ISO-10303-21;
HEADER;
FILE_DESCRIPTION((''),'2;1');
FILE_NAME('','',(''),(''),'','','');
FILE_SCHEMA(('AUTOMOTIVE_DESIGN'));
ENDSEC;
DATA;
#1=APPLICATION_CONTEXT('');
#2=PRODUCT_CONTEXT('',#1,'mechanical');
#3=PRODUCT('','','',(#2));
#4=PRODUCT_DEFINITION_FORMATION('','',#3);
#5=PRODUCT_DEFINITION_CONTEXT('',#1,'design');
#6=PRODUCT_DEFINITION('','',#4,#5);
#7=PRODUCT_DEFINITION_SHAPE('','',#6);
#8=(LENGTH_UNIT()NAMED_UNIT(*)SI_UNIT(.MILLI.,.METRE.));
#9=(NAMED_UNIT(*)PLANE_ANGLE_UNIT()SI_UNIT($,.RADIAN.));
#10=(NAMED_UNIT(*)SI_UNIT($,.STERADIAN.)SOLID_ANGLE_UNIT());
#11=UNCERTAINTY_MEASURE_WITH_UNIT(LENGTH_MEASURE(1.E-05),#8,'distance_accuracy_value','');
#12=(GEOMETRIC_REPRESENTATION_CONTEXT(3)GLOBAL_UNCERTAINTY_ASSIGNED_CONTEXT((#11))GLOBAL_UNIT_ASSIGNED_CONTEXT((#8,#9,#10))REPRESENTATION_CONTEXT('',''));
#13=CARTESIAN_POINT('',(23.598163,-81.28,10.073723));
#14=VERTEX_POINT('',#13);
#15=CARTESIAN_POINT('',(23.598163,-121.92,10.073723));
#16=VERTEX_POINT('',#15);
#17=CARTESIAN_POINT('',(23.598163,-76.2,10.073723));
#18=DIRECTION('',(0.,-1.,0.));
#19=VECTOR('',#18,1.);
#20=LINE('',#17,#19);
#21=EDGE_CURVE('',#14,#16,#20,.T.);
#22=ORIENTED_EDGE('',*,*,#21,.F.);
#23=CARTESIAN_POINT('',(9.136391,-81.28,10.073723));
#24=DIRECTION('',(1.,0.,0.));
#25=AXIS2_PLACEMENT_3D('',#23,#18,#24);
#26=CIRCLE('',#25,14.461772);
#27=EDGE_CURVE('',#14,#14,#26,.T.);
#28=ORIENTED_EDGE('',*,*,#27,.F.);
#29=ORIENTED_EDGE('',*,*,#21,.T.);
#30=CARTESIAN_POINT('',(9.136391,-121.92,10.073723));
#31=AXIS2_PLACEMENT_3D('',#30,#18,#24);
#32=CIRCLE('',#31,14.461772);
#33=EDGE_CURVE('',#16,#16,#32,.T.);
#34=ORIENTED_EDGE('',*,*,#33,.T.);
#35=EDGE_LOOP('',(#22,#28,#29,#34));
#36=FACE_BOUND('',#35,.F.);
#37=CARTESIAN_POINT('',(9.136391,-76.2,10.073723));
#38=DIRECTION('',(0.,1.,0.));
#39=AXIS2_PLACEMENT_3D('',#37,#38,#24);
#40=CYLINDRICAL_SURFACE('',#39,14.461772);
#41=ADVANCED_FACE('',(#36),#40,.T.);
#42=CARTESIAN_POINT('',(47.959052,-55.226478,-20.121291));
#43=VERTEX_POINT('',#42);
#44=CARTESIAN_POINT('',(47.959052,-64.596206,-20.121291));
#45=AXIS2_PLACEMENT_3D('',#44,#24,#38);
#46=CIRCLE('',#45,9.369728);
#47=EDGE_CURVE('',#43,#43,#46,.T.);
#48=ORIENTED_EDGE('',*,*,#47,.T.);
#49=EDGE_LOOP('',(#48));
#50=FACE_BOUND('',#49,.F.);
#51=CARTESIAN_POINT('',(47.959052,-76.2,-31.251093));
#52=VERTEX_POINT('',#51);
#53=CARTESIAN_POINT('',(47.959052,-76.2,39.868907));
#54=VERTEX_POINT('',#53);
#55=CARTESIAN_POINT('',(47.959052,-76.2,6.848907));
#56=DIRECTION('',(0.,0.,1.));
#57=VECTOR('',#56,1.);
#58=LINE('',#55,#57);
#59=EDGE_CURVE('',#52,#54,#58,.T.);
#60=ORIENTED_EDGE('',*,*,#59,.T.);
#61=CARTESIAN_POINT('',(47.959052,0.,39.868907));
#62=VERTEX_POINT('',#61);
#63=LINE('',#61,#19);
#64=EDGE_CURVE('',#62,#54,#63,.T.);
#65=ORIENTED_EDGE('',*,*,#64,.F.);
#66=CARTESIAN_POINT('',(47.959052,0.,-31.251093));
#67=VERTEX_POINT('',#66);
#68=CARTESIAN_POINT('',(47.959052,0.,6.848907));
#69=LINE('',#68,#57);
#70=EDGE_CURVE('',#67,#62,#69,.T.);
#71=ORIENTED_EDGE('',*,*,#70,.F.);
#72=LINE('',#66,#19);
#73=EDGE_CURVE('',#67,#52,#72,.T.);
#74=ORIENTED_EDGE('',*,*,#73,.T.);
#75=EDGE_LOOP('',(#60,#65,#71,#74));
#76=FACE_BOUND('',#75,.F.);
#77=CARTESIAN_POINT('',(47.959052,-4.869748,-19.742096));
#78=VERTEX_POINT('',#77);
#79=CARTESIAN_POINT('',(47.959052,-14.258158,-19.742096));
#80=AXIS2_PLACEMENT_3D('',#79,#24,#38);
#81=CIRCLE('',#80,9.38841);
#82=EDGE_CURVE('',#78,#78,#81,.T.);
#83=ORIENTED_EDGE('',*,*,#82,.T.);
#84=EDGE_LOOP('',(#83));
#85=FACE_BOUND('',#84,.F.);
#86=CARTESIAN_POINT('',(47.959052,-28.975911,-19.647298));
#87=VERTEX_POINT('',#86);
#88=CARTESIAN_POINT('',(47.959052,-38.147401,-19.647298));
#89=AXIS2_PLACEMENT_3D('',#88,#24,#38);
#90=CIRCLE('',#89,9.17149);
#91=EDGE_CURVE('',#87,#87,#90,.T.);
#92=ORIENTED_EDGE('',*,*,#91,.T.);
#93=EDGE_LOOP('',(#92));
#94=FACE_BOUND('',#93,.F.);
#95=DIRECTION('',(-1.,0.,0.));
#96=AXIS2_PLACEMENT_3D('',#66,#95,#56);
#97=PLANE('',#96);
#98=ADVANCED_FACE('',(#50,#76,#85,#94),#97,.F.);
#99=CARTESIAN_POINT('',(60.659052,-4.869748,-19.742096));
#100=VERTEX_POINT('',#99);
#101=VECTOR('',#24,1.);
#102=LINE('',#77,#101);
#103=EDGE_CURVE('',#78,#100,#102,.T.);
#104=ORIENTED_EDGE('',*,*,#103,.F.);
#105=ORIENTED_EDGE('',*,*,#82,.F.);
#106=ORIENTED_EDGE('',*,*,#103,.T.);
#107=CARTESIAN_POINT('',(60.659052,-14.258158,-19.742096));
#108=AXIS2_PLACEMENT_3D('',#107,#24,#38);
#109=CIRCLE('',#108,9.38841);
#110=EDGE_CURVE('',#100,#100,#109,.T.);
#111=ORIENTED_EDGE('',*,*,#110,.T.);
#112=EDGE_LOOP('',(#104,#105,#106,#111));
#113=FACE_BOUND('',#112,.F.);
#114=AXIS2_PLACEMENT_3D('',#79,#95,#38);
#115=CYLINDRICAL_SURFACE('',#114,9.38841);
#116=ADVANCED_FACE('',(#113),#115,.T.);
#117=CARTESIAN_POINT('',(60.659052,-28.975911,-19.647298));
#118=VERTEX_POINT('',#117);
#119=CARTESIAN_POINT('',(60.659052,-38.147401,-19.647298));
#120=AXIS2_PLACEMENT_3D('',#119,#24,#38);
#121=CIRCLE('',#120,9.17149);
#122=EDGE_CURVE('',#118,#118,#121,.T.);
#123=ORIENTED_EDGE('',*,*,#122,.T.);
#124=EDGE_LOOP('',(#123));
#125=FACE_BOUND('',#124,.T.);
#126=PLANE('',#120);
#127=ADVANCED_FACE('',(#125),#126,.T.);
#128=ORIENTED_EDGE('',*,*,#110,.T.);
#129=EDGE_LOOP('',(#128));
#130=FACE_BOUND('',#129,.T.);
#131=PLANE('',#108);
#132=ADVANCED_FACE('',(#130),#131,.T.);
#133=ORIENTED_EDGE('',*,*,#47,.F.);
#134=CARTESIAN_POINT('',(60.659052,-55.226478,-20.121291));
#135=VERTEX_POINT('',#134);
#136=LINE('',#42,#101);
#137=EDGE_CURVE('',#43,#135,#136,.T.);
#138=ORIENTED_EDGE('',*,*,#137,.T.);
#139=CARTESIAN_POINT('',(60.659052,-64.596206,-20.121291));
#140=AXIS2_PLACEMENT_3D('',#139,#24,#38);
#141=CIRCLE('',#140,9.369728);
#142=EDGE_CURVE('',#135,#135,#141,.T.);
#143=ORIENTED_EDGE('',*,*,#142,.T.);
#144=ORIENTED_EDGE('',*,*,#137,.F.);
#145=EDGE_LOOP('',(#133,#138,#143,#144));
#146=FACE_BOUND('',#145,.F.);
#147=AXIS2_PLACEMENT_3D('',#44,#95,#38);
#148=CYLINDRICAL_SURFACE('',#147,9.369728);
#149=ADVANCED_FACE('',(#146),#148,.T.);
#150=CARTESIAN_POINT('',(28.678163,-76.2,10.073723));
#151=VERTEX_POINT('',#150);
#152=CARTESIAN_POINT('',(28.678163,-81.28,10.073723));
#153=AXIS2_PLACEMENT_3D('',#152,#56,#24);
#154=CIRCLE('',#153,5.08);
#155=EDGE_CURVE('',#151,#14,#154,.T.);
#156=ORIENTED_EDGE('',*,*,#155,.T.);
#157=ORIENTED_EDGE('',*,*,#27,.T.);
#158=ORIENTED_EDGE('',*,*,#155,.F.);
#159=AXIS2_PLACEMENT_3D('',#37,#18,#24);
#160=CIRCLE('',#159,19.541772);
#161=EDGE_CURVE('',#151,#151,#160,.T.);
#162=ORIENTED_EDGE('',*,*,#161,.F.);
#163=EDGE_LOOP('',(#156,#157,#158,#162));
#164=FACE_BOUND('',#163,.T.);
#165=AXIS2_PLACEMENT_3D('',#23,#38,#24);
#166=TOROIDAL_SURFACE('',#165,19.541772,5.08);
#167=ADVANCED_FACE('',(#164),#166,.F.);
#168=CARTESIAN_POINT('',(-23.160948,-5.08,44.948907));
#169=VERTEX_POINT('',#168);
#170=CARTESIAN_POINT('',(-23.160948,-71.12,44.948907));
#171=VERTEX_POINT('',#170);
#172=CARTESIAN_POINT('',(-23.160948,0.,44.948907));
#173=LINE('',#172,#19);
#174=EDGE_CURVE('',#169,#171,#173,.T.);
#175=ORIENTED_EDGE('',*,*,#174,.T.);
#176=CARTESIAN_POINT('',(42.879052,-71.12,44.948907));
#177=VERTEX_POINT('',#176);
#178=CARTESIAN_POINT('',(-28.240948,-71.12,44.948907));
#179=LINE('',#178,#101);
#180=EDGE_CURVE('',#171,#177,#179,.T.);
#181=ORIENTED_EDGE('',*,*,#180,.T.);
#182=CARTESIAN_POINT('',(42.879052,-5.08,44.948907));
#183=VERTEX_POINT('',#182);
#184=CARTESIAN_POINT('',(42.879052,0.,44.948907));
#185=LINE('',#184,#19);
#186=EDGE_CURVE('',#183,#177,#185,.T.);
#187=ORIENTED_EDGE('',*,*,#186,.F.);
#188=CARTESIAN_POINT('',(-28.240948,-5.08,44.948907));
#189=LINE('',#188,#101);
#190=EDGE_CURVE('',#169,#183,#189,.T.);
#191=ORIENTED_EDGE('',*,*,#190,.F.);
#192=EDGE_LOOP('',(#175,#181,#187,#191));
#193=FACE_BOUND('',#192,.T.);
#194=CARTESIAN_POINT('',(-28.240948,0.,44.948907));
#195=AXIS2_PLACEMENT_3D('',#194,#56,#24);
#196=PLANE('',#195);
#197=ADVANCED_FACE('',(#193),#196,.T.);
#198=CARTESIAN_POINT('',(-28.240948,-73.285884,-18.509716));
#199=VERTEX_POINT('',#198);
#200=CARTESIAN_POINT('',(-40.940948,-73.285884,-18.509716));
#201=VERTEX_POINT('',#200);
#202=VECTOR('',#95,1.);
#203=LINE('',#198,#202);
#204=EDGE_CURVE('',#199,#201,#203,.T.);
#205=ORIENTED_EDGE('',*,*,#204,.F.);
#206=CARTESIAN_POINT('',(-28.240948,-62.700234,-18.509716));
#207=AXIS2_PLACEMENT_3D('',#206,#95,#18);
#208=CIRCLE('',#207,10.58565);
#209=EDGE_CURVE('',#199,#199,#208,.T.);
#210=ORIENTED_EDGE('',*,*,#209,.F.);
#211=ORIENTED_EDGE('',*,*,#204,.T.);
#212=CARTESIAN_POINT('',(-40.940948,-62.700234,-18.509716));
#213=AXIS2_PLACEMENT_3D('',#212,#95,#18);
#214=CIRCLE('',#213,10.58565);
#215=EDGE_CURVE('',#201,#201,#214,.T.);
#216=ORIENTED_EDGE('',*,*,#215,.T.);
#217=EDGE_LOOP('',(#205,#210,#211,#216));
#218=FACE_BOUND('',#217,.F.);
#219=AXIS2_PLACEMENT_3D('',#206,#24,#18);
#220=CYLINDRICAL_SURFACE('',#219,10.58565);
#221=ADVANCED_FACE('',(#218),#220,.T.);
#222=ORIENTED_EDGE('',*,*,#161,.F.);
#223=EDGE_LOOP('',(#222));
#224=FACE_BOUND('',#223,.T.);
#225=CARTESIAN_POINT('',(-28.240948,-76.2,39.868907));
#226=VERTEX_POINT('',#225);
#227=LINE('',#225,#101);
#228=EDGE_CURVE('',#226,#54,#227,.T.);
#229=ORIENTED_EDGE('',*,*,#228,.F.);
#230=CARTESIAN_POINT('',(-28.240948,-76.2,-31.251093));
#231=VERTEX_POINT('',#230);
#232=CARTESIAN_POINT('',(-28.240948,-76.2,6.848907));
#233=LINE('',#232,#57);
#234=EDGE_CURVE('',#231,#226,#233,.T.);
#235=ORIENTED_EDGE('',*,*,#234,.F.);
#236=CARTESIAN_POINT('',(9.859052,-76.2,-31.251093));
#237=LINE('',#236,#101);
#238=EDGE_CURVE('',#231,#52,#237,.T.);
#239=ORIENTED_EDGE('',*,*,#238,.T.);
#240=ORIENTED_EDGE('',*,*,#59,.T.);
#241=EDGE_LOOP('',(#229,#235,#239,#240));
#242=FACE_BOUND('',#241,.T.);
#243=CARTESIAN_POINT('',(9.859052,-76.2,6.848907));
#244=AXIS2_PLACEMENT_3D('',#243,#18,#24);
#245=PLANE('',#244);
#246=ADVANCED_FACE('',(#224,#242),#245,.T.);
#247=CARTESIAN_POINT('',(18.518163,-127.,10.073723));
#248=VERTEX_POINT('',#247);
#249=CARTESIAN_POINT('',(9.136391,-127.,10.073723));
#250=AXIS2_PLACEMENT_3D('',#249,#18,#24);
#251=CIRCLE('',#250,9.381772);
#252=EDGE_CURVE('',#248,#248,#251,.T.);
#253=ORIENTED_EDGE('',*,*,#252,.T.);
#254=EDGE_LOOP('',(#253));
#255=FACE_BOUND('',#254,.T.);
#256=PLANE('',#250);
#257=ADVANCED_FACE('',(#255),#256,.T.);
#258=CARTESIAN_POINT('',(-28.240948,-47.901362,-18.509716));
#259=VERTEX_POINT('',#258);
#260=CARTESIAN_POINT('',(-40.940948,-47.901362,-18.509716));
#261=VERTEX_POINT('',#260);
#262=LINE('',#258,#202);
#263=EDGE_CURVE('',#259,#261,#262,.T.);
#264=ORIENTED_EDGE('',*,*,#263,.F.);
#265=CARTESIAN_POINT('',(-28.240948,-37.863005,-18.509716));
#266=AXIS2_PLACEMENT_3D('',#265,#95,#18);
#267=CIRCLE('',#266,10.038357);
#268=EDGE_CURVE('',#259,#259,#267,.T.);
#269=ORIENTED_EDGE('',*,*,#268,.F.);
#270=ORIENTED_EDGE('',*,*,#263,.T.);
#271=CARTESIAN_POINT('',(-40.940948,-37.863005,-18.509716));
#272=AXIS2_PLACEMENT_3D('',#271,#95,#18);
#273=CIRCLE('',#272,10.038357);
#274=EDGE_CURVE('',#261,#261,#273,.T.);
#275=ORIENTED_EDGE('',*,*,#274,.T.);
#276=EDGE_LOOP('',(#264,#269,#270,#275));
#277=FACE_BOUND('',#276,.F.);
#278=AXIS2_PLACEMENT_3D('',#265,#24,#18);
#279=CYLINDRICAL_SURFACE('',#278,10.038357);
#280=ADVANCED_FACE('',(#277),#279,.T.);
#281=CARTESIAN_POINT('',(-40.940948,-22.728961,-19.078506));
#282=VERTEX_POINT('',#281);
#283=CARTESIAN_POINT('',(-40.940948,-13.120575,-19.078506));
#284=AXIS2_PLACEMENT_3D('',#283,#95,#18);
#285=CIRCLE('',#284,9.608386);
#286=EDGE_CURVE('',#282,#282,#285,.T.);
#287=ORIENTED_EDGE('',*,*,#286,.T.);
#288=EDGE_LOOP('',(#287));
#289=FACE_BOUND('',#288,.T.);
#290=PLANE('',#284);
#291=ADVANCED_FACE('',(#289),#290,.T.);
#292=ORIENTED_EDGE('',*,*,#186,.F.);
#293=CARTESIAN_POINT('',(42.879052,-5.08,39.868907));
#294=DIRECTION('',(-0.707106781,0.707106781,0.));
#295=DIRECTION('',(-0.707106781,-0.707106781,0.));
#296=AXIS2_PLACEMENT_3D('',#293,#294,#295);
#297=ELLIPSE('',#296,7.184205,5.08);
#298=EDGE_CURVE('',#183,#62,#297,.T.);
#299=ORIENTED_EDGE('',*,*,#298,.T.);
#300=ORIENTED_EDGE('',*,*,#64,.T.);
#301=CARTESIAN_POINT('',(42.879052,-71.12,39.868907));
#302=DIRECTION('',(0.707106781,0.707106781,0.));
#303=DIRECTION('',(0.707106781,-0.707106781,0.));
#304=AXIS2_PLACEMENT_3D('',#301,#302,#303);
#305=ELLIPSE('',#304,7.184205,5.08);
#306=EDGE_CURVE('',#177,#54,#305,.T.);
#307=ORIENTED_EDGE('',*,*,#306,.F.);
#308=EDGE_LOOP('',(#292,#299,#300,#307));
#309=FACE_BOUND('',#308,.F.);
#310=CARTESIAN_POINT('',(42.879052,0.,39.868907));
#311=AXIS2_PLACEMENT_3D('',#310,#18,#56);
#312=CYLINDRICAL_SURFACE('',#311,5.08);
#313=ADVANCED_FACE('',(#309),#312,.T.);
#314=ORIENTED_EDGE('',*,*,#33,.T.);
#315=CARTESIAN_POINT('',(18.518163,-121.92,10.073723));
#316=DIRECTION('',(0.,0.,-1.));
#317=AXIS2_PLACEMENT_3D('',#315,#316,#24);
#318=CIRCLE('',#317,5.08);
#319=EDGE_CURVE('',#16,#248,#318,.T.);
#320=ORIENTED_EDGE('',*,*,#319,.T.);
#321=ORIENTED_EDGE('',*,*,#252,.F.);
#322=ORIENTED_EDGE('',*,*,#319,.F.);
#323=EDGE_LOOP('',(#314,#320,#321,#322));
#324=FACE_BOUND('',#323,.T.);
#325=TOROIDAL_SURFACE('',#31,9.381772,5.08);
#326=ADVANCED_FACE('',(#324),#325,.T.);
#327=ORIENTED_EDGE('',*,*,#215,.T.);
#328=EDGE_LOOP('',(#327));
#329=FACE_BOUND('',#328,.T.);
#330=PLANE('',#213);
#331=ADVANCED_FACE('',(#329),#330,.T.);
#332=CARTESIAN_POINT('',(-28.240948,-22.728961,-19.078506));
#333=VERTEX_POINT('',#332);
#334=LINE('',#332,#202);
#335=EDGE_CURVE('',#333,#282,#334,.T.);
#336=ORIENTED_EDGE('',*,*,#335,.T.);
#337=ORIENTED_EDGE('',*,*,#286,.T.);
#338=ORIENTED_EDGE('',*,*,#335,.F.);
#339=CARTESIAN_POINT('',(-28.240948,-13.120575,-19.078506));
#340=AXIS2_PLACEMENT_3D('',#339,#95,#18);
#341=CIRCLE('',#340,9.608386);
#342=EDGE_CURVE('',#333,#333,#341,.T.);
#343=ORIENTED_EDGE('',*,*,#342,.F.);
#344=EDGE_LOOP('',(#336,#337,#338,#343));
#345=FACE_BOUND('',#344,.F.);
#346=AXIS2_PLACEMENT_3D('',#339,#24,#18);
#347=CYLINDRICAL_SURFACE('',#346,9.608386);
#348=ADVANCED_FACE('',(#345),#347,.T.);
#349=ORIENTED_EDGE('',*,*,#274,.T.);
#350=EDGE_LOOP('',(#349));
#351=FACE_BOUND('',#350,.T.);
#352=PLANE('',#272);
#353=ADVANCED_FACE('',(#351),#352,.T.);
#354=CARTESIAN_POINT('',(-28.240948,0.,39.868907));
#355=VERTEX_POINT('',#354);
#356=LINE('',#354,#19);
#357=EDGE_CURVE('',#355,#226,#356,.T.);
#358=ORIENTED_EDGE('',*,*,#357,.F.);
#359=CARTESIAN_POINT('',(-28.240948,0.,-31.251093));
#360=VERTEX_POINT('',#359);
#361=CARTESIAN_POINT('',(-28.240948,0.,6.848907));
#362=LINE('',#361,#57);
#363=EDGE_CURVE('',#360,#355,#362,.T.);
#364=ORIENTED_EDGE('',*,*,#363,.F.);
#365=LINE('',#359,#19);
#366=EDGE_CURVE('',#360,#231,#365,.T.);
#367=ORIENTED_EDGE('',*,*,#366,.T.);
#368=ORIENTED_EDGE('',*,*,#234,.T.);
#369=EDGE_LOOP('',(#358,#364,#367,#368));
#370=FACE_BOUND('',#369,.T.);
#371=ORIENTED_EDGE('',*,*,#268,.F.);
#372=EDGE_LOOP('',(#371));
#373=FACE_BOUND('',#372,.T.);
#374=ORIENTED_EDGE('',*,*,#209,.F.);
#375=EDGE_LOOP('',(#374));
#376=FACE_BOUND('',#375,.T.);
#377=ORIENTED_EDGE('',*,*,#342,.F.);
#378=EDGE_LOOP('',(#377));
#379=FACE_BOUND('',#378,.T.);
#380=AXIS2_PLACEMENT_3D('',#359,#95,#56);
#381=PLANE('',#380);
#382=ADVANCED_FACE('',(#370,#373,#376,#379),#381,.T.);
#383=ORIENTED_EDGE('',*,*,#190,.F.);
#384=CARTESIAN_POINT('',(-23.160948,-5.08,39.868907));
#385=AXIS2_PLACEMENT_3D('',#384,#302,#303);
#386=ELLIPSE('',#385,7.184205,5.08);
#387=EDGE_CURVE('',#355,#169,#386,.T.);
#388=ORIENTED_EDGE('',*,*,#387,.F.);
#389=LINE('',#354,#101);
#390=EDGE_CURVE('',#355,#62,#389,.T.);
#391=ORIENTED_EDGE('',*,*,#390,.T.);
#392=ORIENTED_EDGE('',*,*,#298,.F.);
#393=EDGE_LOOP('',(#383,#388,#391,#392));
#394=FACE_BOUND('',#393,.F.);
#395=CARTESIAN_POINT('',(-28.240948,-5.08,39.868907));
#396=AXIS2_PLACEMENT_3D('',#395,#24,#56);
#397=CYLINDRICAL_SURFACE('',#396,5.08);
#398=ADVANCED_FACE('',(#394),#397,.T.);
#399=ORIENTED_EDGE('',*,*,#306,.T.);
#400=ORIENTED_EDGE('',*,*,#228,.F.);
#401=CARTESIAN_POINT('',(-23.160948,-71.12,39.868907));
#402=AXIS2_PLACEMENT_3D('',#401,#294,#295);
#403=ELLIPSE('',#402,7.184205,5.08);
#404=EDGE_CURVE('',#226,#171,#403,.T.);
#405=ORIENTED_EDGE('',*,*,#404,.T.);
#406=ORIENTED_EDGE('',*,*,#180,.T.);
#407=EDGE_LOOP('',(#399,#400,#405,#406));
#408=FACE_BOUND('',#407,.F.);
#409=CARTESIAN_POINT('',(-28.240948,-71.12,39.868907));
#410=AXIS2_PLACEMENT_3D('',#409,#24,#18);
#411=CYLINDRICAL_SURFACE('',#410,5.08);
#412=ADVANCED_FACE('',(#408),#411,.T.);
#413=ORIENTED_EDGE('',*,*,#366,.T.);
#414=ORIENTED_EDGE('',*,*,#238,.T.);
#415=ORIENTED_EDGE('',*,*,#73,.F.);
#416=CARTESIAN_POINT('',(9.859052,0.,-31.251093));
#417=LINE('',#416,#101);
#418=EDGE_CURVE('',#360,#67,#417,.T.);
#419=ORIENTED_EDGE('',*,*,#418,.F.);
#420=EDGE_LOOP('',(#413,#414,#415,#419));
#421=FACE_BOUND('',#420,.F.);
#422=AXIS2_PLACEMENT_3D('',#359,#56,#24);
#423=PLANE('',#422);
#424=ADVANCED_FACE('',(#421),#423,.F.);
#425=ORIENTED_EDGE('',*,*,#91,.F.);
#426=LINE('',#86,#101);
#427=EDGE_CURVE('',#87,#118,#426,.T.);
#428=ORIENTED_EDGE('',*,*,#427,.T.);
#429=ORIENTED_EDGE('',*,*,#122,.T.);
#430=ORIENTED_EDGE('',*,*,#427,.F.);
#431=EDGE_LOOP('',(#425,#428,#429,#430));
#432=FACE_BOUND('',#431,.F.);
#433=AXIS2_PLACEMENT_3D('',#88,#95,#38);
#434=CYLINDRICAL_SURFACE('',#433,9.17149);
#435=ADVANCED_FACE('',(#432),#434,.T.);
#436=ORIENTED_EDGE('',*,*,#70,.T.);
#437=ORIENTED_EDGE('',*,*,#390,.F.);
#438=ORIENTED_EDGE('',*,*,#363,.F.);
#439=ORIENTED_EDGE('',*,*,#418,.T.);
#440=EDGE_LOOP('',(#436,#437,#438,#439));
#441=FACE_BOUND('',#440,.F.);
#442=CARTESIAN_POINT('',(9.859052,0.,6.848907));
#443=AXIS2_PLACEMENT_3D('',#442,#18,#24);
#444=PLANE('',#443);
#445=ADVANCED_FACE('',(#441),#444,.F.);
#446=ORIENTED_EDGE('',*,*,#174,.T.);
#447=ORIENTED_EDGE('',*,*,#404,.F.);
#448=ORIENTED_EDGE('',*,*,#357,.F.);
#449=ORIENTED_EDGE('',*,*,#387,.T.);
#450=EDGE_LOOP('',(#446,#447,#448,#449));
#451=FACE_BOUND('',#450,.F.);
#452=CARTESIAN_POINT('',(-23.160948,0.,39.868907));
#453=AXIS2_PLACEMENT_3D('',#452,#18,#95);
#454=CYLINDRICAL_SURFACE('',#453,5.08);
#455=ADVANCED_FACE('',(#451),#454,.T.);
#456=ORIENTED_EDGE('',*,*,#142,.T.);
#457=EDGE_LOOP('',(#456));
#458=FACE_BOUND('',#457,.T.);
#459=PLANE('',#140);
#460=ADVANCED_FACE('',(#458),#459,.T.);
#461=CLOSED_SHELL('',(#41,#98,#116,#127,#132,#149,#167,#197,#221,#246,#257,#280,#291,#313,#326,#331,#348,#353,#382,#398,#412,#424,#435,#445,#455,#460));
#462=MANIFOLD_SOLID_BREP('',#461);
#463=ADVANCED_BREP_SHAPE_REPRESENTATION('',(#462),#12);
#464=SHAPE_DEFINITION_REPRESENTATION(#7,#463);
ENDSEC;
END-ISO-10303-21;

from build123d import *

# Parameters (mm, degrees)
F0_W     = 76.2
F0_H     = 76.2
F1_DEPTH = 76.2
F2_R     = 9.369728
F2_R_2   = 9.17149
F2_R_3   = 9.38841
F3_DEPTH = 12.7
F4_R     = 9.608386
F4_R_2   = 10.038357
F4_R_3   = 10.58565
F5_DEPTH = 12.7
F7_R     = 14.461772
F8_DEPTH = 50.8
F9_R     = 5.08
F10_R    = 5.08


with BuildPart() as f1:
    # F0 (on Front) → F1 (new body)
    with BuildSketch(Plane.XZ):
        with Locations((9.859052, 6.848907)):
            Rectangle(F0_W, F0_H)
    extrude(amount=F1_DEPTH)

    # F2 (on face) → F3 (join)
    with BuildSketch(Plane.YZ.offset(47.959052)):
        with Locations((-64.596206, -20.121291)):
            Circle(F2_R)
        with Locations((-38.147401, -19.647298)):
            Circle(F2_R_2)
        with Locations((-14.258158, -19.742096)):
            Circle(F2_R_3)
    extrude(amount=F3_DEPTH)

    # F4 (on face) → F5 (join)
    with BuildSketch(Plane(origin=(-28.240948, 0, 0), x_dir=(0, -1, 0), z_dir=(-1, 0, 0))):
        with Locations((13.120575, -19.078506)):
            Circle(F4_R)
        with Locations((37.863005, -18.509716)):
            Circle(F4_R_2)
        with Locations((62.700234, -18.509716)):
            Circle(F4_R_3)
    extrude(amount=F5_DEPTH)

    # F7 (on face) → F8 (join)
    with BuildSketch(Plane.XZ.offset(76.2)):
        with Locations((9.136391, 10.073723)):
            Circle(F7_R)
    extrude(amount=F8_DEPTH)

    # F9
    f9_edges = [f1.edges().sort_by_distance(p)[0] for p in [
        (23.598163, -101.6, 10.073723),
        (-5.325381, -76.2, 10.073723),
        (-5.325381, -127, 10.073723),
    ]]
    fillet(f9_edges, radius=F9_R)

    # F10
    f10_edges = [f1.edges().sort_by_distance(p)[0] for p in [
        (47.959052, -38.1, 44.948907),
        (-28.240948, -38.1, 44.948907),
        (9.859052, 0, 44.948907),
        (9.859052, -76.2, 44.948907),
    ]]
    fillet(f10_edges, radius=F10_R)


solid = f1.part
